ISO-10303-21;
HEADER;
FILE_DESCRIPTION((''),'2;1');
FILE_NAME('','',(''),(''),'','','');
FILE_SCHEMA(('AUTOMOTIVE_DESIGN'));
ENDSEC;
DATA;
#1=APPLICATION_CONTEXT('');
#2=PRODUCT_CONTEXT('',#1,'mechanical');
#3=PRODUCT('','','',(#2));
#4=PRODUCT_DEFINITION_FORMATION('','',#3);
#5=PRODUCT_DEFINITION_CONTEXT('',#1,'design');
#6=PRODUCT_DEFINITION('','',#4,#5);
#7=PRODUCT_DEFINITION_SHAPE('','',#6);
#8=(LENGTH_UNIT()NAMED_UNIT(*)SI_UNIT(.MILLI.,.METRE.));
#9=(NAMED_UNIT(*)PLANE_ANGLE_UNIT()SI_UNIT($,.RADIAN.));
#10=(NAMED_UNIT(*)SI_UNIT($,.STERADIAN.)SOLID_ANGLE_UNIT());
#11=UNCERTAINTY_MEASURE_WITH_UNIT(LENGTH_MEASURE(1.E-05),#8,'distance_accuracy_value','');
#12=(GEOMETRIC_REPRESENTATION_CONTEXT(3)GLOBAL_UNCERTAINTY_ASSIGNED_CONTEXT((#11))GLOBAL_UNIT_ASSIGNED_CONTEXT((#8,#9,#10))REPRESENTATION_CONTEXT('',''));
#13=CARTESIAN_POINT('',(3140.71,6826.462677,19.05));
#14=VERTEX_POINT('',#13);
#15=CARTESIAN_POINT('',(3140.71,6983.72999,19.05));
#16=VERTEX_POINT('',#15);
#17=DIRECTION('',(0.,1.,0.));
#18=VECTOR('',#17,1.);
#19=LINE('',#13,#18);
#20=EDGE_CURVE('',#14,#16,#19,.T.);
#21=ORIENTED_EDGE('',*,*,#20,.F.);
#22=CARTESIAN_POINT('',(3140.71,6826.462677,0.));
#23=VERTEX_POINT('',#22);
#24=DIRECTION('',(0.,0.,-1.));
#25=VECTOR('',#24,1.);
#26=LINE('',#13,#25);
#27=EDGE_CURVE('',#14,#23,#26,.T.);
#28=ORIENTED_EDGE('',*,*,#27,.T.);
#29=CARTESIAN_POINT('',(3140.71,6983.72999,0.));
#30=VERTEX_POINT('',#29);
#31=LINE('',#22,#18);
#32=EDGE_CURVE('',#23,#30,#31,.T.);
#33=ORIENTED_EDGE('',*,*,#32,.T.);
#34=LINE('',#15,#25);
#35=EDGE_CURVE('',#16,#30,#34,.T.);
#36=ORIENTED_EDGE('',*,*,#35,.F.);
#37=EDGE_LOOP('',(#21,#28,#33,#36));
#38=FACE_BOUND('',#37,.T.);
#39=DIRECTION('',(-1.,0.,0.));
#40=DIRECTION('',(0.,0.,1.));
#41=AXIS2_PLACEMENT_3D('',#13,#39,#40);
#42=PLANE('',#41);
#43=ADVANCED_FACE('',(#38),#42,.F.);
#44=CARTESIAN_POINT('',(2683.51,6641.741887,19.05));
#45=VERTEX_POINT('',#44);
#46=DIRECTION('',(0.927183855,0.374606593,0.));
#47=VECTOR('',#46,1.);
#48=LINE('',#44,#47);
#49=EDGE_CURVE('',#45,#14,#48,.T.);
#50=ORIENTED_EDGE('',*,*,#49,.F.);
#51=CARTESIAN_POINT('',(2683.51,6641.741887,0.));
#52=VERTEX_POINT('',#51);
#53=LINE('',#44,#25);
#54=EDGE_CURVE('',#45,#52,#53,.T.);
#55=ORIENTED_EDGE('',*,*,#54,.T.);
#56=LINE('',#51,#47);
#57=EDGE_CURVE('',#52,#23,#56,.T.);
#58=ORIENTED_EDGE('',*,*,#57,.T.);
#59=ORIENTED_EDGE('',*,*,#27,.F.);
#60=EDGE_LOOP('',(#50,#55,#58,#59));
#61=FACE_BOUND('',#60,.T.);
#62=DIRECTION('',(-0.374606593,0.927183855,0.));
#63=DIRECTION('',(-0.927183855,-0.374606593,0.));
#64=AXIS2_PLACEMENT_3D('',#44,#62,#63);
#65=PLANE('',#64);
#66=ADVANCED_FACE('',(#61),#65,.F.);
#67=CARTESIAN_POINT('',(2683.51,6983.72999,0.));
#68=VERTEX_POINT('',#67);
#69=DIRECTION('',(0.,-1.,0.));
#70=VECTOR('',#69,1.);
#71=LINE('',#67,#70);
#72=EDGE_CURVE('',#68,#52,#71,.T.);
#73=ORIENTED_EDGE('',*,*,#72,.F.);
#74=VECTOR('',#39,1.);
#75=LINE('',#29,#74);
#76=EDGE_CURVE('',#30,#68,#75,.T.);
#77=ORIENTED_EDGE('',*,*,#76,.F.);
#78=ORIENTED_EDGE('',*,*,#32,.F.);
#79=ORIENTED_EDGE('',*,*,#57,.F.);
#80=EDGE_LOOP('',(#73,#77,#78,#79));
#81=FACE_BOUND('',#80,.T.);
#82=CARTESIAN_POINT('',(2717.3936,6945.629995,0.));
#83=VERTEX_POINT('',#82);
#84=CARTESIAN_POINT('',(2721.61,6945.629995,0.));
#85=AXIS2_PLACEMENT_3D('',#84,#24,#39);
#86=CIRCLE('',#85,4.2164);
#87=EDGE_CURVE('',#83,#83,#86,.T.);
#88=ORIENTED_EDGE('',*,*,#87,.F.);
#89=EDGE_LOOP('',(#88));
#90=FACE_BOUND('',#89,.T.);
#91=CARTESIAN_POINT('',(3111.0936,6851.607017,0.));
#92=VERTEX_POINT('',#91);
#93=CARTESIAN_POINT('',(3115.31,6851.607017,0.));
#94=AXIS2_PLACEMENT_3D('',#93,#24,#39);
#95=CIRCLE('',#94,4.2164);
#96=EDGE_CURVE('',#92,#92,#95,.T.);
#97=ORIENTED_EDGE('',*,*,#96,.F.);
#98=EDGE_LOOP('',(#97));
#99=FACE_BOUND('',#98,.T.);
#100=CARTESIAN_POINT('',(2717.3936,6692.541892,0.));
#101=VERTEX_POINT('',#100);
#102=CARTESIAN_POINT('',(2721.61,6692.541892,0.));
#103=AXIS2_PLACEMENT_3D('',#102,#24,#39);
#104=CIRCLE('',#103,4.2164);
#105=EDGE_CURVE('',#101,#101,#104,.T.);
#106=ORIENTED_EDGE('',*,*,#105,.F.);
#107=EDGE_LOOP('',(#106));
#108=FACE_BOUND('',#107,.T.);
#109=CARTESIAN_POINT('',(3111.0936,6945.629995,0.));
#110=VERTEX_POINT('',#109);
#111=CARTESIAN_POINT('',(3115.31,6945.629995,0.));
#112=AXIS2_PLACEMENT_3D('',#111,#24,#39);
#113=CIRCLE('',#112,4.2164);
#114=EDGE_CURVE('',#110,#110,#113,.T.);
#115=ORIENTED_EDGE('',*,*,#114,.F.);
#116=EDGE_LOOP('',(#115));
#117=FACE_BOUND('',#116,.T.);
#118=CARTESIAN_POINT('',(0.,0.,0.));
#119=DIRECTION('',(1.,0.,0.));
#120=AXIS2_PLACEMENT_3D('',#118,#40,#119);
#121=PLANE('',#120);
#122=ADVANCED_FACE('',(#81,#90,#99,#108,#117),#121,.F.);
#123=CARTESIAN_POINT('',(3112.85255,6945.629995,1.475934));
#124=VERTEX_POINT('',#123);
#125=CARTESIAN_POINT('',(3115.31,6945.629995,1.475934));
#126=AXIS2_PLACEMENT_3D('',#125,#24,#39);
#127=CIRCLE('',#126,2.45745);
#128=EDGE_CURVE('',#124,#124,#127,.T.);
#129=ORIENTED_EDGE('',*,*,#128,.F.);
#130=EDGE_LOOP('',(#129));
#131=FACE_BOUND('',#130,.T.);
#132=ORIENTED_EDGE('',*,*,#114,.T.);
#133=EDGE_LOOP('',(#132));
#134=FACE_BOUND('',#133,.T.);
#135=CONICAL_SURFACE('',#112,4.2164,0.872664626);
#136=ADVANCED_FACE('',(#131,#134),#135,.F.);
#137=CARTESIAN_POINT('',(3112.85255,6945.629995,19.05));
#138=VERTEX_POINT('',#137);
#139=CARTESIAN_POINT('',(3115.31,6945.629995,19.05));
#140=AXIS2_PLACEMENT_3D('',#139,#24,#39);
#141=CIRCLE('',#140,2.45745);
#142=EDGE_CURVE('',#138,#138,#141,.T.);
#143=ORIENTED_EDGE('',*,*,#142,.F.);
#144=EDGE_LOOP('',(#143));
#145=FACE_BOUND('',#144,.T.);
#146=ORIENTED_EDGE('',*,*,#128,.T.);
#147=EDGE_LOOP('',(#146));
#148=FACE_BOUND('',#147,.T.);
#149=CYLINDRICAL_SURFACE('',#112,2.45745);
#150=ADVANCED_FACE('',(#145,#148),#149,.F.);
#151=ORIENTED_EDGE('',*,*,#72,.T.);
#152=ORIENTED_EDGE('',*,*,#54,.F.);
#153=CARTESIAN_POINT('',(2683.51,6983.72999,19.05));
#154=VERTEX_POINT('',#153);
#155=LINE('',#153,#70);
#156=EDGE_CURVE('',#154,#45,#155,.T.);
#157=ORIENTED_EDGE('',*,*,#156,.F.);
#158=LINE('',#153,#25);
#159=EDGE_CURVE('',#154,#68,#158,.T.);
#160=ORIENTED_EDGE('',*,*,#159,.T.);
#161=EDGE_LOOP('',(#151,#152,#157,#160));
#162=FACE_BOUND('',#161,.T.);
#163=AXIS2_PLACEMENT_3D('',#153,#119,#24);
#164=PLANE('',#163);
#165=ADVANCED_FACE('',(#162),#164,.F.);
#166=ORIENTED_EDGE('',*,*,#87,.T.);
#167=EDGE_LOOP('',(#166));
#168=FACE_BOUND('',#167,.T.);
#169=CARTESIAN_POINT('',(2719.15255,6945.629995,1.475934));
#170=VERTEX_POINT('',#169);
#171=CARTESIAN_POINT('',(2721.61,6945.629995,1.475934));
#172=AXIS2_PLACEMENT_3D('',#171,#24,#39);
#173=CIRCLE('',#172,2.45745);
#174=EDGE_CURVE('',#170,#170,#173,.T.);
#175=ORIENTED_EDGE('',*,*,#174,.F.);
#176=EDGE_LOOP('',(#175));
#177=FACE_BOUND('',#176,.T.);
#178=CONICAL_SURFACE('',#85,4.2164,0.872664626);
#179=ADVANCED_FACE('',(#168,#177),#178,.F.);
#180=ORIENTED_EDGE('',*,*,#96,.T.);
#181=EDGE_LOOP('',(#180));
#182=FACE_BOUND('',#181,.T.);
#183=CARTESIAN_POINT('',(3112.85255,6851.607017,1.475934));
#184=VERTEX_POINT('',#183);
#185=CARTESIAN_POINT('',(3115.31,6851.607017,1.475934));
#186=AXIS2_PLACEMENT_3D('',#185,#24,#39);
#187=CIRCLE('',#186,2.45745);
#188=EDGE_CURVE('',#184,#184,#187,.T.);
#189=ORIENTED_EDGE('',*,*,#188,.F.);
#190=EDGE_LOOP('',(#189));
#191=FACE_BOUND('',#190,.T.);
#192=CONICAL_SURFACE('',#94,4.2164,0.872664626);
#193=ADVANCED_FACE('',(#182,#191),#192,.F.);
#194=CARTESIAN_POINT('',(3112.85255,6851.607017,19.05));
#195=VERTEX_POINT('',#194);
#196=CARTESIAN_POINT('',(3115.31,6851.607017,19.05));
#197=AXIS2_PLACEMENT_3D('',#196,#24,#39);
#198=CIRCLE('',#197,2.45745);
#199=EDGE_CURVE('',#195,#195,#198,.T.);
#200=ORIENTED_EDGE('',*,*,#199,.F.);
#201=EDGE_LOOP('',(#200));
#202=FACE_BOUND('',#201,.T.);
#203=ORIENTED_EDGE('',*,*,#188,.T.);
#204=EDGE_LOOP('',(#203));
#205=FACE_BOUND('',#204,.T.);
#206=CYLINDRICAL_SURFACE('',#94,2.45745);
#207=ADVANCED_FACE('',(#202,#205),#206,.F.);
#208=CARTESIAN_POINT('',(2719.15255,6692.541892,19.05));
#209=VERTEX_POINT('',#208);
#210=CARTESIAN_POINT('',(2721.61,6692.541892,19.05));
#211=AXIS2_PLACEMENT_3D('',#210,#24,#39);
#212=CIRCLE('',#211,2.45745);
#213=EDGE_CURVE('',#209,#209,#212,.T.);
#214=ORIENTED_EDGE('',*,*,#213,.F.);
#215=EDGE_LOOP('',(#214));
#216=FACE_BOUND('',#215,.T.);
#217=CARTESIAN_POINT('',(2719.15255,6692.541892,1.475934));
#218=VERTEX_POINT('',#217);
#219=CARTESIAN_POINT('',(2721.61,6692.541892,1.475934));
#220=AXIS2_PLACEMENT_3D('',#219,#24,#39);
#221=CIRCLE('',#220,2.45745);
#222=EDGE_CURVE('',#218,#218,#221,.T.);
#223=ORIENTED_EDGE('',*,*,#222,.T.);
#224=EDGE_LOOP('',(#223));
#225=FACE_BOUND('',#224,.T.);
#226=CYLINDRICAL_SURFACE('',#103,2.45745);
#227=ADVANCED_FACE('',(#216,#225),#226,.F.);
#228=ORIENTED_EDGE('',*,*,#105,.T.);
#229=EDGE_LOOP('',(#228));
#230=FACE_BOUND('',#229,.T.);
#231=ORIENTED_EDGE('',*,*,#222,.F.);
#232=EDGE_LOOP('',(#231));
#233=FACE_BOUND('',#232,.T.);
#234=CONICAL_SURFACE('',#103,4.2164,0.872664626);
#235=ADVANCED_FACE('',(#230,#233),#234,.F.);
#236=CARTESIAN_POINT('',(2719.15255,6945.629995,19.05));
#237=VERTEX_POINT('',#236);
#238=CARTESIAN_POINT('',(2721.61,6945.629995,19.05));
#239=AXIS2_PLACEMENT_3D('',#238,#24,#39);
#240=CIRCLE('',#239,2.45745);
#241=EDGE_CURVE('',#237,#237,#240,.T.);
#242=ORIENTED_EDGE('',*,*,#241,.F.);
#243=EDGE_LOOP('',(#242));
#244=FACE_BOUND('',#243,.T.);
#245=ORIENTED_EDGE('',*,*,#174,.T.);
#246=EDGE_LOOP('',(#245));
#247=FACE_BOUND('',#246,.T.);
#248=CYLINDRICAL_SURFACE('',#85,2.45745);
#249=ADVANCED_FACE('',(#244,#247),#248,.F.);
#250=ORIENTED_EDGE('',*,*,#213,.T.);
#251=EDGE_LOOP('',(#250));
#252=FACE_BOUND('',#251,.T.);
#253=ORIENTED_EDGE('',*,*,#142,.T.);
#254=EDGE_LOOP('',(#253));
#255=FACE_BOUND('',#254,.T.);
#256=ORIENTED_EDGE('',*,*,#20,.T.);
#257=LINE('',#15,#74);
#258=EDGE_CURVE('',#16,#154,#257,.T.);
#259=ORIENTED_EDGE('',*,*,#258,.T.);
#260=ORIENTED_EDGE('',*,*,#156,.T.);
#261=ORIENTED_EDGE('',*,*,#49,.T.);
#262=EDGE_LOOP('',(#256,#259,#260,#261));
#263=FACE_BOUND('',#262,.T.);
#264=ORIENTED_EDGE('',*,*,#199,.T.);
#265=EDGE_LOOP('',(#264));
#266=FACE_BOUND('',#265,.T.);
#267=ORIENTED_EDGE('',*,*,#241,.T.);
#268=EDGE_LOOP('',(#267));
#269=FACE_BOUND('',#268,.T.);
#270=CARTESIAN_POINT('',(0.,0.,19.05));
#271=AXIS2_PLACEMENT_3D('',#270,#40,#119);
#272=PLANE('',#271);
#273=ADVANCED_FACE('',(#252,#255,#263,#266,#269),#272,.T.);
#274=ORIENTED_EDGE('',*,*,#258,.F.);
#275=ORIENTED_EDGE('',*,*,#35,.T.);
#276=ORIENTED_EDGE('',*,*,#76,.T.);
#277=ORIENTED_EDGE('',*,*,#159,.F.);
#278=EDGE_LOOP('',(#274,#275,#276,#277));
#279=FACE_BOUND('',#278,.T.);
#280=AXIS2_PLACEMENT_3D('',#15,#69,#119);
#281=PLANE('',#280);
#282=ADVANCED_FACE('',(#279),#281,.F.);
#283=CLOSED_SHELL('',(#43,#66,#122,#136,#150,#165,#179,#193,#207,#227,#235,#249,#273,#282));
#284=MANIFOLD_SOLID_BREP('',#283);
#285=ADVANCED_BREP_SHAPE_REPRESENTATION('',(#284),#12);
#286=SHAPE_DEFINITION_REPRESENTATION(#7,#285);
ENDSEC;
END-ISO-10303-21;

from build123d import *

# Parameters (mm, degrees)
BOSS_EXTRUDE1_DEPTH                               = 19.05
CSK_FOR_8_FLAT_HEAD_MACHINE_SCREW_100_D           = 4.9149
CSK_FOR_8_FLAT_HEAD_MACHINE_SCREW_100_CSINK_D     = 8.4328
CSK_FOR_8_FLAT_HEAD_MACHINE_SCREW_100_CSINK_ANGLE = 100


with BuildPart() as part:
    # Sketch1 → Boss-Extrude1 (new body)
    with BuildSketch(Plane.XY):
        Polygon((2683.51, 6983.72999014), (2683.51, 6641.741886848), (3140.71, 6826.4626773), (3140.71, 6983.72999014), align=None)
    extrude(amount=BOSS_EXTRUDE1_DEPTH)

    # CSK for #8 Flat Head Machine Screw (100)1 (through all)
    with Locations(Plane.YX):
        with Locations((6692.541891629, 2721.610000001), (6945.629994921, 2721.610000001), (6945.629994921, 3115.310000001), (6851.60701674, 3115.310000001)):
            CounterSinkHole(CSK_FOR_8_FLAT_HEAD_MACHINE_SCREW_100_D / 2, CSK_FOR_8_FLAT_HEAD_MACHINE_SCREW_100_CSINK_D / 2, counter_sink_angle=CSK_FOR_8_FLAT_HEAD_MACHINE_SCREW_100_CSINK_ANGLE)


solid = part.part
